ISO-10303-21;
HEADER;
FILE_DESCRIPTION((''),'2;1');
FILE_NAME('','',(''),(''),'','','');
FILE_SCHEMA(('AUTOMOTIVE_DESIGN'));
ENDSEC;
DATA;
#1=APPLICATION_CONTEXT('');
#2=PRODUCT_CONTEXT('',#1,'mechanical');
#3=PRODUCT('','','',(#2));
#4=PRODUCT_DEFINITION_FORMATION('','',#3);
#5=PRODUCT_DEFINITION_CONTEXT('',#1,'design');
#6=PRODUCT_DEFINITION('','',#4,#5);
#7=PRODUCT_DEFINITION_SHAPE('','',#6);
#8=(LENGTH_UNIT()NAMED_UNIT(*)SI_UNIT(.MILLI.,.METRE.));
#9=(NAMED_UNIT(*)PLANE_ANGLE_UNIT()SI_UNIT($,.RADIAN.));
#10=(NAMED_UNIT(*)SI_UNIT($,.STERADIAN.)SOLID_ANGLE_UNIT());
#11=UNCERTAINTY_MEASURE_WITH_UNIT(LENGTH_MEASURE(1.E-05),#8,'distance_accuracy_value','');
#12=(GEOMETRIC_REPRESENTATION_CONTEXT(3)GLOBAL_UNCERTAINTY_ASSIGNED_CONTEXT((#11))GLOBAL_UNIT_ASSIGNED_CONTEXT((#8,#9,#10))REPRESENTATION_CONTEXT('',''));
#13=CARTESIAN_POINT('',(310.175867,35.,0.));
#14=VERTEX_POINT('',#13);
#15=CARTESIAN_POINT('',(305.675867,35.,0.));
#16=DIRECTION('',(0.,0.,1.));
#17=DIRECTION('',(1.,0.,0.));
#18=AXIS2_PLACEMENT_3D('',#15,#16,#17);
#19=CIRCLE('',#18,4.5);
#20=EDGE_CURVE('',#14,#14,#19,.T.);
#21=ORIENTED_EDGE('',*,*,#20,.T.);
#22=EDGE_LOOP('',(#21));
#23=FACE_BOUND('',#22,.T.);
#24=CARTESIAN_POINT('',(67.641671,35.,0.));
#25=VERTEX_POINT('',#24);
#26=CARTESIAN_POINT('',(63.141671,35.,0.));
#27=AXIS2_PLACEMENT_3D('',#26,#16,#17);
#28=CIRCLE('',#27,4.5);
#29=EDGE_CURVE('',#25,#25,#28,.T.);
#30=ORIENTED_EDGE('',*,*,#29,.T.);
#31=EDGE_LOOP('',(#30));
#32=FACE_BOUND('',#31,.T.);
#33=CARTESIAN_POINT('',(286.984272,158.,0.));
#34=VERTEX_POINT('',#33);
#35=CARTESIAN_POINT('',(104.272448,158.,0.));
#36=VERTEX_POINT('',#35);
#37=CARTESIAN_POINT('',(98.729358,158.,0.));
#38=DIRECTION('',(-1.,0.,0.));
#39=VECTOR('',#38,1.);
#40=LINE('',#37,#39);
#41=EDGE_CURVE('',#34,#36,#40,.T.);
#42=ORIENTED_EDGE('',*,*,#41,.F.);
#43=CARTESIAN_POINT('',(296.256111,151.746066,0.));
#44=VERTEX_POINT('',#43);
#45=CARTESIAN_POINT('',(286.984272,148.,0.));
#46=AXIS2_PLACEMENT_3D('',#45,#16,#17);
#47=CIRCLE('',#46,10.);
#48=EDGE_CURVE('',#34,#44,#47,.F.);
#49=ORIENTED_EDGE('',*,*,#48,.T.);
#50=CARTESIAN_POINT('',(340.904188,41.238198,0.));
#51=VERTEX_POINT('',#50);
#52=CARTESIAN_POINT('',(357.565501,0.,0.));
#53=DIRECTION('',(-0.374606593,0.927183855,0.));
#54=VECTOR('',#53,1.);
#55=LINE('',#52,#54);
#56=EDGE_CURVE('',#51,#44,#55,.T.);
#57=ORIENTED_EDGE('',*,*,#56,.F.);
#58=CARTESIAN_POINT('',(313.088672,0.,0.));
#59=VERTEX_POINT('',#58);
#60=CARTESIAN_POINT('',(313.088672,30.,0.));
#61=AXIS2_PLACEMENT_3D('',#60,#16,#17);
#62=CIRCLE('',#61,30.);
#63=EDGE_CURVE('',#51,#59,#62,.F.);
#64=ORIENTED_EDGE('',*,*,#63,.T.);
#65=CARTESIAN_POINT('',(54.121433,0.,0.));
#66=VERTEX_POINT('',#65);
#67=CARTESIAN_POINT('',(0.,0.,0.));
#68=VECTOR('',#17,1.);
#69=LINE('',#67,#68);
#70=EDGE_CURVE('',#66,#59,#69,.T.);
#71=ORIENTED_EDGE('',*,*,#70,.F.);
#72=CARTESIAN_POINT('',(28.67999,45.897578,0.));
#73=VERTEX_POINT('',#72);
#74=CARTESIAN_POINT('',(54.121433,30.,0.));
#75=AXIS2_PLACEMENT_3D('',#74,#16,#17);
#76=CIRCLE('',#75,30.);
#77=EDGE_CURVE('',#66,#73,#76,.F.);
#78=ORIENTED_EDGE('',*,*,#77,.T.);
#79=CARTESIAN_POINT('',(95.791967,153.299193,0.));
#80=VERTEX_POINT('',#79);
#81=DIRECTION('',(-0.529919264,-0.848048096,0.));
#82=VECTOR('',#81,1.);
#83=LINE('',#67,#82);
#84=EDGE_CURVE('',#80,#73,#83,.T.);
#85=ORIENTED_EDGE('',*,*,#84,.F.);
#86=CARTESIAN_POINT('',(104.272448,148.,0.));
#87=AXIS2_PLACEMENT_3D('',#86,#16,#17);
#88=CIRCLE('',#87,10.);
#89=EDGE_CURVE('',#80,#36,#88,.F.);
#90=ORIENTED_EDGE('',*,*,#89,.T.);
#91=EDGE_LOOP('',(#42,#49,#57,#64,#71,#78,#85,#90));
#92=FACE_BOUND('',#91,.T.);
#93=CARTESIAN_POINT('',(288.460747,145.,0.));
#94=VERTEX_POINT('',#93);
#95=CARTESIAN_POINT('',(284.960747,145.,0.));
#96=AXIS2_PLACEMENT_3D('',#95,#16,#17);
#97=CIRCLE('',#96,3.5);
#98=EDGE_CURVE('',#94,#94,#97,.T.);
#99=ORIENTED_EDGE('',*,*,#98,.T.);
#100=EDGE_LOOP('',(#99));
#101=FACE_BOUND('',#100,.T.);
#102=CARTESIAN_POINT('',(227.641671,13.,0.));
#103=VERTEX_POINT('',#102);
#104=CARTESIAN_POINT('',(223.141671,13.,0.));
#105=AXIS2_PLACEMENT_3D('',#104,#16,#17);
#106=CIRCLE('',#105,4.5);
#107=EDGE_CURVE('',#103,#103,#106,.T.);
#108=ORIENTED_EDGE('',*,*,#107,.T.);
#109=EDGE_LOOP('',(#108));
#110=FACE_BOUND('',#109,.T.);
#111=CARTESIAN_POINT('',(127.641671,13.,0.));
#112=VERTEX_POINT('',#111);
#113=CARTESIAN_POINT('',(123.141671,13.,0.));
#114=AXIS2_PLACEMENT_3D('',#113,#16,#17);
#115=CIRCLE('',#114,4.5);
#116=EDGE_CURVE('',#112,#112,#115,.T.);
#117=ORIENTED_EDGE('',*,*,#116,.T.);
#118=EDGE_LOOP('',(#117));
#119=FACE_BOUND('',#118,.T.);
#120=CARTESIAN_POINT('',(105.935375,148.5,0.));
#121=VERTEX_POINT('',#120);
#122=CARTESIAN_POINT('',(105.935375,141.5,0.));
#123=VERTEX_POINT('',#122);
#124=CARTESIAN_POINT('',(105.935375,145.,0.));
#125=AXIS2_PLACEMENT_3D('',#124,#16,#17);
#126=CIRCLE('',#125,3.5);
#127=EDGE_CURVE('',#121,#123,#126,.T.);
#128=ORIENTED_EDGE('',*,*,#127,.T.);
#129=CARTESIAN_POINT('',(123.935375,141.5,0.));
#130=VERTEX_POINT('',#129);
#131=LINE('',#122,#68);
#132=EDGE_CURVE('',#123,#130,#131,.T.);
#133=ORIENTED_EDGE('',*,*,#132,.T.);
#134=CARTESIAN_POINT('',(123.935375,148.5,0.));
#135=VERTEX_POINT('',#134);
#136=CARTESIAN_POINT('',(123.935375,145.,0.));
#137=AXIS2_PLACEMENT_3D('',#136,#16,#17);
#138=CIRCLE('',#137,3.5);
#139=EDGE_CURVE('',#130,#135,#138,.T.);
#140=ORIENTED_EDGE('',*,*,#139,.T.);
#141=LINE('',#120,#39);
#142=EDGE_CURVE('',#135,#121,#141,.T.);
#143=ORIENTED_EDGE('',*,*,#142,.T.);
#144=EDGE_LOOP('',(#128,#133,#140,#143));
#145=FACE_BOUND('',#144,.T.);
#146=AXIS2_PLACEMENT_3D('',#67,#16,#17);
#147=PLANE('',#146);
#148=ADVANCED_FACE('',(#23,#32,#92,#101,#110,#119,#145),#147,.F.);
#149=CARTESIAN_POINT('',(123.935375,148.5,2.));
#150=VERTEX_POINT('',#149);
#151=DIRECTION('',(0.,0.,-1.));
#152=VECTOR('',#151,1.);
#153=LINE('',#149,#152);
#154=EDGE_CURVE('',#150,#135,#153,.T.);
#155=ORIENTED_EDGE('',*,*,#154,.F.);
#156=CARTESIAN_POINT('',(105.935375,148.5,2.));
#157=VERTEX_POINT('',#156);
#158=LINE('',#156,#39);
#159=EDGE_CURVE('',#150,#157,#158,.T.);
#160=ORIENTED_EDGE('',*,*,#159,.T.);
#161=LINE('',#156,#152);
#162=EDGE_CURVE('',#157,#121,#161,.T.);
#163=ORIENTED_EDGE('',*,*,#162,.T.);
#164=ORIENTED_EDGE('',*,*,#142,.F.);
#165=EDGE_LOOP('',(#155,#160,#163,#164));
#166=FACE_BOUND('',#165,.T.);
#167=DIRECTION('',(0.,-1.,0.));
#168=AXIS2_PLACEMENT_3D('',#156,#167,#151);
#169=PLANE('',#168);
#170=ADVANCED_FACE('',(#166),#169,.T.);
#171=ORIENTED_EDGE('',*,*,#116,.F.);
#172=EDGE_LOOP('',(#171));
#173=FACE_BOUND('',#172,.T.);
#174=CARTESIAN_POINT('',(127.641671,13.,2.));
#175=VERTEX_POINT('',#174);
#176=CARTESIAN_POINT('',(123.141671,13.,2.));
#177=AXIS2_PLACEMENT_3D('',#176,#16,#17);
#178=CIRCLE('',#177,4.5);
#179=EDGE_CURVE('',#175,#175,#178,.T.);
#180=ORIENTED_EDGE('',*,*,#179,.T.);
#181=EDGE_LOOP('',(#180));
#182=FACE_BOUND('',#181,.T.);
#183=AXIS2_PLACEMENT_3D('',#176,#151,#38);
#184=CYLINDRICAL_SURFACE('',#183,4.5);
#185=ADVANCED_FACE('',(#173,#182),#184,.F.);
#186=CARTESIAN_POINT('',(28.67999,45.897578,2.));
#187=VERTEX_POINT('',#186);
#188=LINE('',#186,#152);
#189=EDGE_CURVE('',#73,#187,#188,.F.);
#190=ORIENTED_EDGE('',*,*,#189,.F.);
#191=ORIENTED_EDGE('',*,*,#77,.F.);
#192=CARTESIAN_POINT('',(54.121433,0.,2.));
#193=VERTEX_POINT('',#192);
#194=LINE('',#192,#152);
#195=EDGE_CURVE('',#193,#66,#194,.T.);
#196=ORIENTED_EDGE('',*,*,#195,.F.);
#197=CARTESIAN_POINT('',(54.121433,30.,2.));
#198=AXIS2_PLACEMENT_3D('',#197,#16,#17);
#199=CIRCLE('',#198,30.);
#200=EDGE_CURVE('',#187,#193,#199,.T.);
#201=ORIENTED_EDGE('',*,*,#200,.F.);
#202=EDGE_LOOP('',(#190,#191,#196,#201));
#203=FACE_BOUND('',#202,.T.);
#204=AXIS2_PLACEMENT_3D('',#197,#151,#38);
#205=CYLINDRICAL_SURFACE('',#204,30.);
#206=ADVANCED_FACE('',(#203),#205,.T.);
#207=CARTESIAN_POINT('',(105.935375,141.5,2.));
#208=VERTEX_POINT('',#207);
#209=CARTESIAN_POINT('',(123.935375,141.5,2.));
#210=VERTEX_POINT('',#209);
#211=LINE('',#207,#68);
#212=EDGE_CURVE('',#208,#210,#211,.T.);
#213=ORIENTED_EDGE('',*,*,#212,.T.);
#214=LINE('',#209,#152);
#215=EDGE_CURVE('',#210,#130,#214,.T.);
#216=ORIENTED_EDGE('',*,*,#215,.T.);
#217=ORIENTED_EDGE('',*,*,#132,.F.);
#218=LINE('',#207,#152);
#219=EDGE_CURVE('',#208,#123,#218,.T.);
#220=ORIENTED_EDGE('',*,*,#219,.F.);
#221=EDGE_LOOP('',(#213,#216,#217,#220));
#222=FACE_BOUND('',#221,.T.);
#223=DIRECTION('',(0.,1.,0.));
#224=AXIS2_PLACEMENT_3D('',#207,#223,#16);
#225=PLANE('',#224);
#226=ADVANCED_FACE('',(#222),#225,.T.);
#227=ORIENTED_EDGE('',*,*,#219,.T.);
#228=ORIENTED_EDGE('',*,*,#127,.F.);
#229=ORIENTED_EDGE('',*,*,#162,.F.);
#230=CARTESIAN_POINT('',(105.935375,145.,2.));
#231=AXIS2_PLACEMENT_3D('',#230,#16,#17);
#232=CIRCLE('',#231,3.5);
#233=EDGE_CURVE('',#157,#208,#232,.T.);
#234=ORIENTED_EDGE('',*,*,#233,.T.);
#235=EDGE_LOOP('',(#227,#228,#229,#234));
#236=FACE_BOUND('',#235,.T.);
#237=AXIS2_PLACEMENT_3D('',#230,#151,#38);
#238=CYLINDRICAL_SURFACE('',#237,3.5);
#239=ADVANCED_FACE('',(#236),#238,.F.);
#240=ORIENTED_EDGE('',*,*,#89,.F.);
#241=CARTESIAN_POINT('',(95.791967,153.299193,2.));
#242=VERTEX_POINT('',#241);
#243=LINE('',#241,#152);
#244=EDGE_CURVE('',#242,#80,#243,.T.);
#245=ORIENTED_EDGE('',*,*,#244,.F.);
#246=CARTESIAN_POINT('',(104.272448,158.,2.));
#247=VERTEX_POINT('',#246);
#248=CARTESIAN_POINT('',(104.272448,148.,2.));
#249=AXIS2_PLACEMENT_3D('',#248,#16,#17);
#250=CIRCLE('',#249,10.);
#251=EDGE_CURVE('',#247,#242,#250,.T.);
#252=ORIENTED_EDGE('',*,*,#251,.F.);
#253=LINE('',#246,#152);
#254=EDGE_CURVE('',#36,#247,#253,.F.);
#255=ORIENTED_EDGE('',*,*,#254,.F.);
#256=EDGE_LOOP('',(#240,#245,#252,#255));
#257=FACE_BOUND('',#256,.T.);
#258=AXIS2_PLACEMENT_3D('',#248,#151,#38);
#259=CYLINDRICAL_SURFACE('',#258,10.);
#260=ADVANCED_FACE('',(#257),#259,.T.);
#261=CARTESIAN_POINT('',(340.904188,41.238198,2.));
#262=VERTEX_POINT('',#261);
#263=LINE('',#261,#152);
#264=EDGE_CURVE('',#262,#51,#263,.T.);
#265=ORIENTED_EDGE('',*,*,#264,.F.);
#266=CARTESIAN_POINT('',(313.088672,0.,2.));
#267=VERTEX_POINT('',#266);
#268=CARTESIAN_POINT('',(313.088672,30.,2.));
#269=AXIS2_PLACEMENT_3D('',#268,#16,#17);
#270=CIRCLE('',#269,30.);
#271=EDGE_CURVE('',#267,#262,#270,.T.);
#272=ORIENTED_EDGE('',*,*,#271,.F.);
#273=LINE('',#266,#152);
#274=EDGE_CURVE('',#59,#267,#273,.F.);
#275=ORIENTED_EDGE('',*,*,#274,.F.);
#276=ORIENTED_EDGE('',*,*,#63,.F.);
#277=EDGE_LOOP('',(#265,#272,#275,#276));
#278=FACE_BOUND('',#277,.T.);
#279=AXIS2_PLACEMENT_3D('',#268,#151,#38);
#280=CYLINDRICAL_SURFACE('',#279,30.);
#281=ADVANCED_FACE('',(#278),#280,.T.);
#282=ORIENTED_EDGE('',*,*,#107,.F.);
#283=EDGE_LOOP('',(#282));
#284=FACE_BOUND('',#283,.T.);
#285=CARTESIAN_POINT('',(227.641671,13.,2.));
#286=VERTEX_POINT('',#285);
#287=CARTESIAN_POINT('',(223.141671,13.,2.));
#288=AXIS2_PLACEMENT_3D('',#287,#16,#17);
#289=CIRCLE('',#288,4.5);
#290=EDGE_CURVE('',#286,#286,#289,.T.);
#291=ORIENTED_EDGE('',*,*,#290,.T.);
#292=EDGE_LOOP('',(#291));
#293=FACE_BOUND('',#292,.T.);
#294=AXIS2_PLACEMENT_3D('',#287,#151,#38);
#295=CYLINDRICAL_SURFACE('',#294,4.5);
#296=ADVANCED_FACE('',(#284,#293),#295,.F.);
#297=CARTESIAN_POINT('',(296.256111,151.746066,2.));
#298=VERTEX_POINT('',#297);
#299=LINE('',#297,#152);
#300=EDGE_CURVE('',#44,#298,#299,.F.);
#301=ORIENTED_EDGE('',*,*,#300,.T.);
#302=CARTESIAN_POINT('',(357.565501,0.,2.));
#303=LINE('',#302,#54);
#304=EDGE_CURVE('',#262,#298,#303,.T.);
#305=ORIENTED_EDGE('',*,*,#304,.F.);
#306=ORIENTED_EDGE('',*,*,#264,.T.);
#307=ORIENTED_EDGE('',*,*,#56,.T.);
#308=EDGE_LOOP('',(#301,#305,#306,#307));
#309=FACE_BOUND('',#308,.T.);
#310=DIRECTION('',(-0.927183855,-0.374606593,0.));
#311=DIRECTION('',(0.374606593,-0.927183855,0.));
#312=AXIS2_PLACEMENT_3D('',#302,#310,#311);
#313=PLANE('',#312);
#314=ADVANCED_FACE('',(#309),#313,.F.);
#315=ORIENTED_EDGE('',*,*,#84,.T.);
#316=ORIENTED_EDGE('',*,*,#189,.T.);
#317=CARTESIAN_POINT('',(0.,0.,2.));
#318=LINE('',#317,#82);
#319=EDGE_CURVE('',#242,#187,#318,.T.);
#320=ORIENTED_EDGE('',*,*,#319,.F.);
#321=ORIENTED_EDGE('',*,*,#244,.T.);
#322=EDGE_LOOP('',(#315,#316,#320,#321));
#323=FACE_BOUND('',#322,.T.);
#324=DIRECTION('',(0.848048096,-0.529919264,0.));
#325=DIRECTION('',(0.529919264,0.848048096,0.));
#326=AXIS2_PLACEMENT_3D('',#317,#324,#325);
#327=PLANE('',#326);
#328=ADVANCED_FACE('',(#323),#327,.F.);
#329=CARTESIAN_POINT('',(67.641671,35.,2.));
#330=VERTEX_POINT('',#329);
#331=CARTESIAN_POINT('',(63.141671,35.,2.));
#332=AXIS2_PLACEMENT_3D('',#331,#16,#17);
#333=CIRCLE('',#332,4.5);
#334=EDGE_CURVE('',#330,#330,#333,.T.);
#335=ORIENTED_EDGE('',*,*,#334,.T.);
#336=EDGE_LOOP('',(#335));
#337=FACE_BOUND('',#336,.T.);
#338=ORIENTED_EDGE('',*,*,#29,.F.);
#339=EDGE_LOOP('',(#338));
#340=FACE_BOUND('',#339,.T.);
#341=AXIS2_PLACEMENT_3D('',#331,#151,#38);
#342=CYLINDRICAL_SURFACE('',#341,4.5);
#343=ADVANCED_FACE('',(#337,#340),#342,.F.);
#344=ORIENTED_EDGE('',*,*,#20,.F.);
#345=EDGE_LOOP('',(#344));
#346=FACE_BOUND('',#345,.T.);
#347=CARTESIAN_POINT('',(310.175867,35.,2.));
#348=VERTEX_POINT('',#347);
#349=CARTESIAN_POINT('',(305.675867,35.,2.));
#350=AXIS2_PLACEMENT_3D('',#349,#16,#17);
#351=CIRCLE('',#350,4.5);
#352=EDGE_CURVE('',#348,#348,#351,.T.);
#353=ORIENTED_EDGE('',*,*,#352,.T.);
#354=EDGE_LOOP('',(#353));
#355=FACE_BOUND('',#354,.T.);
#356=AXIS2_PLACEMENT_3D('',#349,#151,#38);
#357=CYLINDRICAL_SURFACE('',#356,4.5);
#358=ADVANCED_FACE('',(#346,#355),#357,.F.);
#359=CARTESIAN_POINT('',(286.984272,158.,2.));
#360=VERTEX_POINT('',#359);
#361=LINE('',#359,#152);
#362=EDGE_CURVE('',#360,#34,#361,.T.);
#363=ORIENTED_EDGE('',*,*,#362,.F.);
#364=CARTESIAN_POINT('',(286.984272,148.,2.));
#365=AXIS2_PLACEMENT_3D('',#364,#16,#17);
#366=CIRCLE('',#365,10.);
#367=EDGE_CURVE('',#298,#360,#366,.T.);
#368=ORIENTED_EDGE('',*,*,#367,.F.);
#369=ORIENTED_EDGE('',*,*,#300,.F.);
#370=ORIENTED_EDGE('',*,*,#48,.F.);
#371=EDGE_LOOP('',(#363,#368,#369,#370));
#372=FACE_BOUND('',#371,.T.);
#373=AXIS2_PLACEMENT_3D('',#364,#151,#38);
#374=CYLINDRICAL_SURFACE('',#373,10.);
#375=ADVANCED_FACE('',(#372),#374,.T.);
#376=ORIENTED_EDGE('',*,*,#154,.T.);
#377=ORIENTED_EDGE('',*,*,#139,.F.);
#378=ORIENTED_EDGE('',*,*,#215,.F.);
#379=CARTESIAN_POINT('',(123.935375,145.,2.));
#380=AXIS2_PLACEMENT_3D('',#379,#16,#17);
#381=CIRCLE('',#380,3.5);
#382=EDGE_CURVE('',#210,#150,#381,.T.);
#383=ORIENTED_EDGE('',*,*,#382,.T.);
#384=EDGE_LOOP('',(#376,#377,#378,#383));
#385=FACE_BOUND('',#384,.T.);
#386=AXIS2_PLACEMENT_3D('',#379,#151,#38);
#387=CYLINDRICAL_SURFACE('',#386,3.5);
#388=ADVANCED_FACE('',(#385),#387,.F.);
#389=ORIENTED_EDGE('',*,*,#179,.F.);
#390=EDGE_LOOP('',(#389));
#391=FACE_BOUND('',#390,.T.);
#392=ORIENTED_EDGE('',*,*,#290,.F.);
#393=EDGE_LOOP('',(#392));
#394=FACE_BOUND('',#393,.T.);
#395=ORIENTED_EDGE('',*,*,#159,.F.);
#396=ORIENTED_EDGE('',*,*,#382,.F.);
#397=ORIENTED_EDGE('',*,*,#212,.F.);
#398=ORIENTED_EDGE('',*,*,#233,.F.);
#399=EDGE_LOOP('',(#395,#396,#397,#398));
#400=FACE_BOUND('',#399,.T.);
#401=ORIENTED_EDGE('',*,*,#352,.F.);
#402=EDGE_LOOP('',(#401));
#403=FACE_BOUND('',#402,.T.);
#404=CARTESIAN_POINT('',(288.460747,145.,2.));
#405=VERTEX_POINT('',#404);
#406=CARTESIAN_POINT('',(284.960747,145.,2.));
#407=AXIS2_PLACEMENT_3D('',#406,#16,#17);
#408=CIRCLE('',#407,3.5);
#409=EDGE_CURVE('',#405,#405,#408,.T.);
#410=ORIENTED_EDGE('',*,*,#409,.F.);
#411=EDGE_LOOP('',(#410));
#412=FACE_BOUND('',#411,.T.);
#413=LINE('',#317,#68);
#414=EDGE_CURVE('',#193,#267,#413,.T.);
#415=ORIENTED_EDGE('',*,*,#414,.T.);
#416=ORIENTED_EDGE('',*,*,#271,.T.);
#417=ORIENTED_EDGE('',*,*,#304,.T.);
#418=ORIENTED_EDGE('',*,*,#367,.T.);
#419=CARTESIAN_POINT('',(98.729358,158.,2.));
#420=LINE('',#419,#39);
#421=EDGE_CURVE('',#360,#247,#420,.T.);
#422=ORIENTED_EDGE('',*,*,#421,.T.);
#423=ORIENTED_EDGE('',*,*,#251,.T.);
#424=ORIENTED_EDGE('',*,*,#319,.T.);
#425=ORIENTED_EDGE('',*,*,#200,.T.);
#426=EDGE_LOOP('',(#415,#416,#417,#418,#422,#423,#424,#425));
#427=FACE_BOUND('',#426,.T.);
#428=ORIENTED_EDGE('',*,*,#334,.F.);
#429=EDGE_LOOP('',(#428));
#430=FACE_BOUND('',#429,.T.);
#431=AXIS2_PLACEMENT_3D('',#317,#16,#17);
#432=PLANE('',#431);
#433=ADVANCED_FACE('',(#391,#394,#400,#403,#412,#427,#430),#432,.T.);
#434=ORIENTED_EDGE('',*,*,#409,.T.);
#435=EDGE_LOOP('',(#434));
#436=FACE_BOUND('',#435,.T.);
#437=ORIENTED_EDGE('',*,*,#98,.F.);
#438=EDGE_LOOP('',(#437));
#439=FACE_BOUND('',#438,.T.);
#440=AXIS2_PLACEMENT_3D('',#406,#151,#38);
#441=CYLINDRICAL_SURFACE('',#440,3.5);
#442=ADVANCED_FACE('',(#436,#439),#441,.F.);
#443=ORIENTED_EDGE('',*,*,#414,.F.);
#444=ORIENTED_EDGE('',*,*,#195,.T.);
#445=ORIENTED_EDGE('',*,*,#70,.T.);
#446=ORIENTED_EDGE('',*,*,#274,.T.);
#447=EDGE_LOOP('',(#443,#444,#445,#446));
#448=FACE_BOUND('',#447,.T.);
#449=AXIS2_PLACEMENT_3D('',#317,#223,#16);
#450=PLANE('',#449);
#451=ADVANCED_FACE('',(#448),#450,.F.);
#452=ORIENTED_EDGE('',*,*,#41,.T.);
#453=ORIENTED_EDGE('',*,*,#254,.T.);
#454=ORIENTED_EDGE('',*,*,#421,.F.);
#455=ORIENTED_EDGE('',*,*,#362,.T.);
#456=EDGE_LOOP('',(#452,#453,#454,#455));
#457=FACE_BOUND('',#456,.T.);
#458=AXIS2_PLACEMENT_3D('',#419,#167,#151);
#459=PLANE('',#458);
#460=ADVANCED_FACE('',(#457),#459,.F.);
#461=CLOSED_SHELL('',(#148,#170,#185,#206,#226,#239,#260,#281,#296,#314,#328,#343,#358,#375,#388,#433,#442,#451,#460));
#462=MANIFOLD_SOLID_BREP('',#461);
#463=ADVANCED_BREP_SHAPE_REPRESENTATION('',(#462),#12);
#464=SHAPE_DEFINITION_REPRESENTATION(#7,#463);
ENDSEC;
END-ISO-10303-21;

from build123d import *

# Parameters (mm, degrees)
SKETCH1_R           = 3.5
SKETCH1_R_2         = 4.5
BOSS_EXTRUDE1_DEPTH = 2
FILLET1_R           = 30
FILLET2_R           = 10


with BuildPart() as part:
    # Sketch1 → Boss-Extrude1 (new body)
    with BuildSketch(Plane.XY):
        Polygon((0, 0), (98.729357602, 158), (293.729357602, 158), (357.565501284, 0), align=None)
        with Locations((284.960746883, 145)):
            Circle(SKETCH1_R, mode=Mode.SUBTRACT)
        with Locations((305.675867386, 35)):
            Circle(SKETCH1_R_2, mode=Mode.SUBTRACT)
        with Locations((63.141671434, 35)):
            Circle(SKETCH1_R_2, mode=Mode.SUBTRACT)
        with Locations((123.141671434, 13)):
            Circle(SKETCH1_R_2, mode=Mode.SUBTRACT)
        with Locations((223.141671434, 13)):
            Circle(SKETCH1_R_2, mode=Mode.SUBTRACT)
        with BuildLine():
            Line((105.935375271, 148.5), (123.935375271, 148.5))
            ThreePointArc((123.935375271, 148.5), (127.435375271, 145), (123.935375271, 141.5))
            Line((123.935375271, 141.5), (105.935375271, 141.5))
            ThreePointArc((105.935375271, 141.5), (102.435375271, 145), (105.935375271, 148.5))
        make_face(mode=Mode.SUBTRACT)
    extrude(amount=BOSS_EXTRUDE1_DEPTH)

    # Fillet1
    fillet1_edges = [part.edges().sort_by_distance(p)[0] for p in [
        (0, 0, 1),
        (357.565501284, 0, 1),
    ]]
    fillet(fillet1_edges, radius=FILLET1_R)

    # Fillet2
    fillet2_edges = [part.edges().sort_by_distance(p)[0] for p in [
        (98.729357602, 158, 1),
        (293.729357602, 158, 1),
    ]]
    fillet(fillet2_edges, radius=FILLET2_R)


solid = part.part
